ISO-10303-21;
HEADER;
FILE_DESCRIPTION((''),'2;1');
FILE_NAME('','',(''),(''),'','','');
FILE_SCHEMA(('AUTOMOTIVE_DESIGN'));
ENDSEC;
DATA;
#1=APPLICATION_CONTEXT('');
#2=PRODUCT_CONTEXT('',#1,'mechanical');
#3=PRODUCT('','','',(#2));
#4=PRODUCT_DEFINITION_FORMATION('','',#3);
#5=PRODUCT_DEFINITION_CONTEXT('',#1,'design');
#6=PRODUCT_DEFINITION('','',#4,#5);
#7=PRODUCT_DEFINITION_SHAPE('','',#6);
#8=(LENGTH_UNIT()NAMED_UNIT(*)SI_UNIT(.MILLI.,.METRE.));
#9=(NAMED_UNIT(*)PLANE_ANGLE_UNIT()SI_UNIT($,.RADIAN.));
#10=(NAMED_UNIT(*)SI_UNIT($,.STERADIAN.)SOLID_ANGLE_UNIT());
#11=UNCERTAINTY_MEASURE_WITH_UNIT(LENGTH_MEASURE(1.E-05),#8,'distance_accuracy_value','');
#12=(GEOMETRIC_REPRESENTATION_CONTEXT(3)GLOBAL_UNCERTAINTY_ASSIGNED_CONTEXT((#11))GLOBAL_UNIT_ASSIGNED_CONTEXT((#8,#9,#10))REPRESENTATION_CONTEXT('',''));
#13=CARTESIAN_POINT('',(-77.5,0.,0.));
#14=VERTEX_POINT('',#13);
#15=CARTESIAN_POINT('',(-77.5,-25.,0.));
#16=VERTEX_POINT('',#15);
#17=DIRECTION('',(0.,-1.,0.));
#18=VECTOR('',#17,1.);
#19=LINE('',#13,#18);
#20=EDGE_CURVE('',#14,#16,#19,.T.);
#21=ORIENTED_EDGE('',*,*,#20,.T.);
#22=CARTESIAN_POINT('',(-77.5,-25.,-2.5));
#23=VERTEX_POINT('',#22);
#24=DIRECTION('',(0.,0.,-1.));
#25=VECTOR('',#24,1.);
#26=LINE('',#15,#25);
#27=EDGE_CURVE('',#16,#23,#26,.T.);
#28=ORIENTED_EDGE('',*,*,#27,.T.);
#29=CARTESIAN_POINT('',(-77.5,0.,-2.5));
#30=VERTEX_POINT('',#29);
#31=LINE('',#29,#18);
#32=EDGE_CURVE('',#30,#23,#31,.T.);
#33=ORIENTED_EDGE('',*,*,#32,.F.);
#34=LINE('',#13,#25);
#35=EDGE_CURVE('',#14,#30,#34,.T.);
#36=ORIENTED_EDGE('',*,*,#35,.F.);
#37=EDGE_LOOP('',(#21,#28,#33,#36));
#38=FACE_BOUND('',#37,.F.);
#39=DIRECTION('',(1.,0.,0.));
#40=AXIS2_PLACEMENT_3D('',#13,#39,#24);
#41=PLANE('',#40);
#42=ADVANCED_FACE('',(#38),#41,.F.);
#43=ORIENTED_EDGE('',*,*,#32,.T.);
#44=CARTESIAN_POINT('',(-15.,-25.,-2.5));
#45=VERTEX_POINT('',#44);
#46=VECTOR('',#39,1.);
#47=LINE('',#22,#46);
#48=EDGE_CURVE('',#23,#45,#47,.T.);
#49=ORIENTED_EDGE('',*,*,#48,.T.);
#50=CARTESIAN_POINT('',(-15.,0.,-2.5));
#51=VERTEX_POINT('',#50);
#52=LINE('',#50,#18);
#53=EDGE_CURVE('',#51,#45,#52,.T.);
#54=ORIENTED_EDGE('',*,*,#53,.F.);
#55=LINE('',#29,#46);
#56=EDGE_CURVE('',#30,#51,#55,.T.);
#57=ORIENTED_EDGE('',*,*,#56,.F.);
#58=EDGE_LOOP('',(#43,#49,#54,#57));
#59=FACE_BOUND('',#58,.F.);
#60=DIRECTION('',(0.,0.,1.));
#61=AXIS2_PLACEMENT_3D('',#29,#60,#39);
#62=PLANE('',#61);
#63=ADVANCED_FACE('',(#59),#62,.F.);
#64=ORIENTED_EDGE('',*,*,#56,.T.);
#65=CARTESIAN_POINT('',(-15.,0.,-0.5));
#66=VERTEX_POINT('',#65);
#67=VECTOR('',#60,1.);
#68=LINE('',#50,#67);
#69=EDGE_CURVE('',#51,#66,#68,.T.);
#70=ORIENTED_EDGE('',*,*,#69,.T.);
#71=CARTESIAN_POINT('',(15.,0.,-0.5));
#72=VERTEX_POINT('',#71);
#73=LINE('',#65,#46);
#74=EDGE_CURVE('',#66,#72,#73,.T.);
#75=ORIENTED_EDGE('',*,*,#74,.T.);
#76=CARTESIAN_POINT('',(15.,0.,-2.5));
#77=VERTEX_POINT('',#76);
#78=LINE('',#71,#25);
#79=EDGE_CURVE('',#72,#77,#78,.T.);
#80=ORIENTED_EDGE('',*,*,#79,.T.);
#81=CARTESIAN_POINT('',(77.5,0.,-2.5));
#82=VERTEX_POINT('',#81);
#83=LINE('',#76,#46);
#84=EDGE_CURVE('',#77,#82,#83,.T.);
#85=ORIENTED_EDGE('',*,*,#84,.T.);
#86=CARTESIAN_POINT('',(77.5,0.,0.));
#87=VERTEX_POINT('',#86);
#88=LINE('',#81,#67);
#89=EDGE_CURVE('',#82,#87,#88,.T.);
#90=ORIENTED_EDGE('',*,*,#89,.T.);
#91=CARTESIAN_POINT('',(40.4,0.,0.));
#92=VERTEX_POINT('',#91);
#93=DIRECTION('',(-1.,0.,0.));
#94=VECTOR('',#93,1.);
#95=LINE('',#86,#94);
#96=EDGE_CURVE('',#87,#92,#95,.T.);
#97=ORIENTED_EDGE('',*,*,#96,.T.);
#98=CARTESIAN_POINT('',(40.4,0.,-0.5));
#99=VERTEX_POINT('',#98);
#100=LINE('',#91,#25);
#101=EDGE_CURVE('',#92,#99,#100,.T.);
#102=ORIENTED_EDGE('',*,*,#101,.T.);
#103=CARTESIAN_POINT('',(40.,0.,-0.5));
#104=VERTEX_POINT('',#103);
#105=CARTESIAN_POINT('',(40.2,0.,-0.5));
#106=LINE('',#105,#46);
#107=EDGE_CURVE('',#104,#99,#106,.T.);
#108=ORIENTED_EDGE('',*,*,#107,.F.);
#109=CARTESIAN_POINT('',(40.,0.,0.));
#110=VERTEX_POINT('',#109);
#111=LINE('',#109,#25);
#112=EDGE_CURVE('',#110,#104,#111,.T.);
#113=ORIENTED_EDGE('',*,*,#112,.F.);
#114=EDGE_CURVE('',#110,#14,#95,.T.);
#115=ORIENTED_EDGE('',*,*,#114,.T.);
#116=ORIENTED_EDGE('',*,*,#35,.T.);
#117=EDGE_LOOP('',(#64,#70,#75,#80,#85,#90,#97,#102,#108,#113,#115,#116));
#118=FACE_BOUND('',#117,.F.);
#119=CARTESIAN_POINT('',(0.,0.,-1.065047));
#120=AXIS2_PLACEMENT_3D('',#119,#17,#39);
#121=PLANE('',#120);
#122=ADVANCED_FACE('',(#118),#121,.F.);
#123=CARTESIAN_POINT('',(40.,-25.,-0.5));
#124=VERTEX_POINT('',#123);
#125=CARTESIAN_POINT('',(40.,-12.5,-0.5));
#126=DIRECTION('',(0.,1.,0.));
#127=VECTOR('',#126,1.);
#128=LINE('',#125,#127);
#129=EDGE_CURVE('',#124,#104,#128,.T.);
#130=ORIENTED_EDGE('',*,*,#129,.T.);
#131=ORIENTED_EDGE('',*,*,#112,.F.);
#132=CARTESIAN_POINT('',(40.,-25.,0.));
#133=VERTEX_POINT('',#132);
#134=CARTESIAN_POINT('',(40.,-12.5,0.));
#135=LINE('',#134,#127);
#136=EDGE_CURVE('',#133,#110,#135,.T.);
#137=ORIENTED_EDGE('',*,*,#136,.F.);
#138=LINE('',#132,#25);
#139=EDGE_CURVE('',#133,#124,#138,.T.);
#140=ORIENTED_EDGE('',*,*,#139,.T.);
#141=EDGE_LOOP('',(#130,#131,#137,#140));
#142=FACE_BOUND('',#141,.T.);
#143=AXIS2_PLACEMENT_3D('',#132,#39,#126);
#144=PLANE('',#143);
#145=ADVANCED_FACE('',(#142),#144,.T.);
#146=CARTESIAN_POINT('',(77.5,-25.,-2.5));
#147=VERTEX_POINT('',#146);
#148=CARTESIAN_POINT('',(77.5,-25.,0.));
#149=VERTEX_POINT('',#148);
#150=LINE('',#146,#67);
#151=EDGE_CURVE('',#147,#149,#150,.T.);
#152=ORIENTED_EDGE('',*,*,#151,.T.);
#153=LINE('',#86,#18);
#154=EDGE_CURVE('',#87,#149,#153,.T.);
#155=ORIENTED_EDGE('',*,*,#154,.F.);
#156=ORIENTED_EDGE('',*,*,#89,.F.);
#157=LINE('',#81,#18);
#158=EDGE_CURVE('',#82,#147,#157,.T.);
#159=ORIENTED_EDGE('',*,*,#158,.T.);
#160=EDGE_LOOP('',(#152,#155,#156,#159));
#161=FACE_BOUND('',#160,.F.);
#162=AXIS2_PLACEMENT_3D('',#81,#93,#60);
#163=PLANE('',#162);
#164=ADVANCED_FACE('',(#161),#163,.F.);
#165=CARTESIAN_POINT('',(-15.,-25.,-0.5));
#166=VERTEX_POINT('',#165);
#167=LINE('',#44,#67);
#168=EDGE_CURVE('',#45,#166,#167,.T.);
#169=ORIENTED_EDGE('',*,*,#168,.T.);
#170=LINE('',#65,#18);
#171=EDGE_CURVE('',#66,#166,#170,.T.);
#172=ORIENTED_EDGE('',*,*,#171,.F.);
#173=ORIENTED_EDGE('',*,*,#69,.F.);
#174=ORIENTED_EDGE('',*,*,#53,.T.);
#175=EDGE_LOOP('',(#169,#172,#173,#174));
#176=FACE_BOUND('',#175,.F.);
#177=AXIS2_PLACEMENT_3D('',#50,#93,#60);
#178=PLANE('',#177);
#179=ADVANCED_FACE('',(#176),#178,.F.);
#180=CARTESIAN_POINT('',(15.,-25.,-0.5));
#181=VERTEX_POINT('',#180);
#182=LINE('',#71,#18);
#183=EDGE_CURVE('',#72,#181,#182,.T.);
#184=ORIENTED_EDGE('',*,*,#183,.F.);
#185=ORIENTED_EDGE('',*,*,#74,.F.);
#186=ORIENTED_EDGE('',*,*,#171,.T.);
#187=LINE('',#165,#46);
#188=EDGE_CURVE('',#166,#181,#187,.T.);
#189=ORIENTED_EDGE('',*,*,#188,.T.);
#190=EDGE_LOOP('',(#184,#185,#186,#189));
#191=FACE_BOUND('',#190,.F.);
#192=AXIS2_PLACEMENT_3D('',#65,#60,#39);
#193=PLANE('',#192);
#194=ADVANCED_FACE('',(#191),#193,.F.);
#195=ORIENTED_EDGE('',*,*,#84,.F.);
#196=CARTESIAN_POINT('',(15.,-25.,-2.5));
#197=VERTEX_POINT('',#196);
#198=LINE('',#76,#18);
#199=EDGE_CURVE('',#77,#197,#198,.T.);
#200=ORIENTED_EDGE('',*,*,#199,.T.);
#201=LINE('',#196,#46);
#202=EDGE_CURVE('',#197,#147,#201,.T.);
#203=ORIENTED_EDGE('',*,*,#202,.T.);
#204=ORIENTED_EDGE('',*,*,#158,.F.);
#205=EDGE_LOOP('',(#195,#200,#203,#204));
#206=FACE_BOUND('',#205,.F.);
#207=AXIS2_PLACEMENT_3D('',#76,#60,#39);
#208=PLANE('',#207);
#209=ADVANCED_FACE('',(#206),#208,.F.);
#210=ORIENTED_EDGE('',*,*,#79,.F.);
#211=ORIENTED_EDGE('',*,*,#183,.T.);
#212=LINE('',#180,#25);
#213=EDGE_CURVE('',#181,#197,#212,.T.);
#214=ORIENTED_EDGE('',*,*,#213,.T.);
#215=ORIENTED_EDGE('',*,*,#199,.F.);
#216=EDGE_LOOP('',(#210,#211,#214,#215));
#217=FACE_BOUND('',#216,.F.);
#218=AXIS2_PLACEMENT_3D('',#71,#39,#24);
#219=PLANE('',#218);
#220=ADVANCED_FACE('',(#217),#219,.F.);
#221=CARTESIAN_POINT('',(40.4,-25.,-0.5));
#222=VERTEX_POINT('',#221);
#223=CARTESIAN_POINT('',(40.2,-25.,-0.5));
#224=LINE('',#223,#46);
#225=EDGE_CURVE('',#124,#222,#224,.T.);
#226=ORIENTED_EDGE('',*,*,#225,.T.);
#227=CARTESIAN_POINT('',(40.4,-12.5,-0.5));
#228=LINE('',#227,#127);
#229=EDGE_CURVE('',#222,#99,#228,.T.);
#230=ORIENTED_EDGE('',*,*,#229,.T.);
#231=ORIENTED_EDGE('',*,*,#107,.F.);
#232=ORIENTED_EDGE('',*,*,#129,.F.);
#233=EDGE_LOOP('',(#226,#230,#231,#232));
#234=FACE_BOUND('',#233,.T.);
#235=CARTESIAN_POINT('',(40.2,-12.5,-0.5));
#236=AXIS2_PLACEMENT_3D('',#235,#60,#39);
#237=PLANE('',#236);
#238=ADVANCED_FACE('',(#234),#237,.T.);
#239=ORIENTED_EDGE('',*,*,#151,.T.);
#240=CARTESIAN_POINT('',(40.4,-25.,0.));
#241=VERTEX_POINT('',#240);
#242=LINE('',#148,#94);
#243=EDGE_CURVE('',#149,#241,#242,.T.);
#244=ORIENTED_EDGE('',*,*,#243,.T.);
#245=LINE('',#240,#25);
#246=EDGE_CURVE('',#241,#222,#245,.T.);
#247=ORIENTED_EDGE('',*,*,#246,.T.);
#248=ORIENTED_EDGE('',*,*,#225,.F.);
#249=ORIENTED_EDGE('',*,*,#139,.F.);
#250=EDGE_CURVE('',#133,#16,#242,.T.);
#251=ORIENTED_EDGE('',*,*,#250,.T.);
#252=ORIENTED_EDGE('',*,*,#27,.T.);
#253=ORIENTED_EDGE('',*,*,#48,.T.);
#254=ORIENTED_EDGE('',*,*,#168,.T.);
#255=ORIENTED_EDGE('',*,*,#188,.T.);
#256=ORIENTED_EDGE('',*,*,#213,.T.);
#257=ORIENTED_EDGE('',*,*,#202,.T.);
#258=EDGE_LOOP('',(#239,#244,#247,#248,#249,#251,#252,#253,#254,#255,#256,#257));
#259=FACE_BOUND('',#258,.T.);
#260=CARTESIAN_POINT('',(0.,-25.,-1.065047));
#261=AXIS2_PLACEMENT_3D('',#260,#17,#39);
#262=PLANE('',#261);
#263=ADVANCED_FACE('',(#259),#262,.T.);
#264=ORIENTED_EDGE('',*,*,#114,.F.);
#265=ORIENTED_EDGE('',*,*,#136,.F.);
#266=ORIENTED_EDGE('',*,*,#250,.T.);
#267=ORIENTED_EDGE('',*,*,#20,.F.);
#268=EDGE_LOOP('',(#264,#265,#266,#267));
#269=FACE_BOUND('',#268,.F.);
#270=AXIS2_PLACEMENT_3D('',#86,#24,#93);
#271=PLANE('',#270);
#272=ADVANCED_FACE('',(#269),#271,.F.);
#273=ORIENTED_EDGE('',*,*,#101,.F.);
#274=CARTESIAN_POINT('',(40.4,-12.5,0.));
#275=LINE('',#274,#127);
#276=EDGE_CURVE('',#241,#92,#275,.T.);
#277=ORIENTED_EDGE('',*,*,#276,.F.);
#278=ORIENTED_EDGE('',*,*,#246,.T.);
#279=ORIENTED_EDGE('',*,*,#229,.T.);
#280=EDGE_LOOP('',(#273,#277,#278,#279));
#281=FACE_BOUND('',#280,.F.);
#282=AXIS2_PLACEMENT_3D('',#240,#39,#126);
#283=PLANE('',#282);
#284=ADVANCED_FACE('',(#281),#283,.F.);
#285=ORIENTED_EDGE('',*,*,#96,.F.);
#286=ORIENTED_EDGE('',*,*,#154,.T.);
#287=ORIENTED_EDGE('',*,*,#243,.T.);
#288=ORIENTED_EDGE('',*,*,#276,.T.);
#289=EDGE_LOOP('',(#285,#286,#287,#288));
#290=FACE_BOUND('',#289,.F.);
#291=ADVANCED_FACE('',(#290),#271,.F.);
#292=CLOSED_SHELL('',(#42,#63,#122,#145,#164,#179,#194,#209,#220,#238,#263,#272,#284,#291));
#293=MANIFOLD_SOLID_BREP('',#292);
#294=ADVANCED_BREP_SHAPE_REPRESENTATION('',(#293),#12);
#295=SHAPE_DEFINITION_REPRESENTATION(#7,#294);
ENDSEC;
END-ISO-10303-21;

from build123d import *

# Parameters (mm, degrees)
F1_DEPTH = 25
F2_W     = 0.4
F2_H     = 25
F3_DEPTH = 0.5


with BuildPart() as f1:
    # F0 (on Front) → F1 (new body)
    with BuildSketch(Plane.XZ):
        Polygon((77.5, 0), (-77.5, 0), (-77.5, -2.5), (-15, -2.5), (-15, -0.5), (15, -0.5), (15, -2.5), (77.5, -2.5), align=None)
    extrude(amount=F1_DEPTH)

    # F2 (on face) → F3 (cut, through all)
    with BuildSketch(Plane.XY):
        with Locations((40.2, -12.5)):
            Rectangle(F2_W, F2_H)
    extrude(amount=-F3_DEPTH, mode=Mode.SUBTRACT)


solid = f1.part
